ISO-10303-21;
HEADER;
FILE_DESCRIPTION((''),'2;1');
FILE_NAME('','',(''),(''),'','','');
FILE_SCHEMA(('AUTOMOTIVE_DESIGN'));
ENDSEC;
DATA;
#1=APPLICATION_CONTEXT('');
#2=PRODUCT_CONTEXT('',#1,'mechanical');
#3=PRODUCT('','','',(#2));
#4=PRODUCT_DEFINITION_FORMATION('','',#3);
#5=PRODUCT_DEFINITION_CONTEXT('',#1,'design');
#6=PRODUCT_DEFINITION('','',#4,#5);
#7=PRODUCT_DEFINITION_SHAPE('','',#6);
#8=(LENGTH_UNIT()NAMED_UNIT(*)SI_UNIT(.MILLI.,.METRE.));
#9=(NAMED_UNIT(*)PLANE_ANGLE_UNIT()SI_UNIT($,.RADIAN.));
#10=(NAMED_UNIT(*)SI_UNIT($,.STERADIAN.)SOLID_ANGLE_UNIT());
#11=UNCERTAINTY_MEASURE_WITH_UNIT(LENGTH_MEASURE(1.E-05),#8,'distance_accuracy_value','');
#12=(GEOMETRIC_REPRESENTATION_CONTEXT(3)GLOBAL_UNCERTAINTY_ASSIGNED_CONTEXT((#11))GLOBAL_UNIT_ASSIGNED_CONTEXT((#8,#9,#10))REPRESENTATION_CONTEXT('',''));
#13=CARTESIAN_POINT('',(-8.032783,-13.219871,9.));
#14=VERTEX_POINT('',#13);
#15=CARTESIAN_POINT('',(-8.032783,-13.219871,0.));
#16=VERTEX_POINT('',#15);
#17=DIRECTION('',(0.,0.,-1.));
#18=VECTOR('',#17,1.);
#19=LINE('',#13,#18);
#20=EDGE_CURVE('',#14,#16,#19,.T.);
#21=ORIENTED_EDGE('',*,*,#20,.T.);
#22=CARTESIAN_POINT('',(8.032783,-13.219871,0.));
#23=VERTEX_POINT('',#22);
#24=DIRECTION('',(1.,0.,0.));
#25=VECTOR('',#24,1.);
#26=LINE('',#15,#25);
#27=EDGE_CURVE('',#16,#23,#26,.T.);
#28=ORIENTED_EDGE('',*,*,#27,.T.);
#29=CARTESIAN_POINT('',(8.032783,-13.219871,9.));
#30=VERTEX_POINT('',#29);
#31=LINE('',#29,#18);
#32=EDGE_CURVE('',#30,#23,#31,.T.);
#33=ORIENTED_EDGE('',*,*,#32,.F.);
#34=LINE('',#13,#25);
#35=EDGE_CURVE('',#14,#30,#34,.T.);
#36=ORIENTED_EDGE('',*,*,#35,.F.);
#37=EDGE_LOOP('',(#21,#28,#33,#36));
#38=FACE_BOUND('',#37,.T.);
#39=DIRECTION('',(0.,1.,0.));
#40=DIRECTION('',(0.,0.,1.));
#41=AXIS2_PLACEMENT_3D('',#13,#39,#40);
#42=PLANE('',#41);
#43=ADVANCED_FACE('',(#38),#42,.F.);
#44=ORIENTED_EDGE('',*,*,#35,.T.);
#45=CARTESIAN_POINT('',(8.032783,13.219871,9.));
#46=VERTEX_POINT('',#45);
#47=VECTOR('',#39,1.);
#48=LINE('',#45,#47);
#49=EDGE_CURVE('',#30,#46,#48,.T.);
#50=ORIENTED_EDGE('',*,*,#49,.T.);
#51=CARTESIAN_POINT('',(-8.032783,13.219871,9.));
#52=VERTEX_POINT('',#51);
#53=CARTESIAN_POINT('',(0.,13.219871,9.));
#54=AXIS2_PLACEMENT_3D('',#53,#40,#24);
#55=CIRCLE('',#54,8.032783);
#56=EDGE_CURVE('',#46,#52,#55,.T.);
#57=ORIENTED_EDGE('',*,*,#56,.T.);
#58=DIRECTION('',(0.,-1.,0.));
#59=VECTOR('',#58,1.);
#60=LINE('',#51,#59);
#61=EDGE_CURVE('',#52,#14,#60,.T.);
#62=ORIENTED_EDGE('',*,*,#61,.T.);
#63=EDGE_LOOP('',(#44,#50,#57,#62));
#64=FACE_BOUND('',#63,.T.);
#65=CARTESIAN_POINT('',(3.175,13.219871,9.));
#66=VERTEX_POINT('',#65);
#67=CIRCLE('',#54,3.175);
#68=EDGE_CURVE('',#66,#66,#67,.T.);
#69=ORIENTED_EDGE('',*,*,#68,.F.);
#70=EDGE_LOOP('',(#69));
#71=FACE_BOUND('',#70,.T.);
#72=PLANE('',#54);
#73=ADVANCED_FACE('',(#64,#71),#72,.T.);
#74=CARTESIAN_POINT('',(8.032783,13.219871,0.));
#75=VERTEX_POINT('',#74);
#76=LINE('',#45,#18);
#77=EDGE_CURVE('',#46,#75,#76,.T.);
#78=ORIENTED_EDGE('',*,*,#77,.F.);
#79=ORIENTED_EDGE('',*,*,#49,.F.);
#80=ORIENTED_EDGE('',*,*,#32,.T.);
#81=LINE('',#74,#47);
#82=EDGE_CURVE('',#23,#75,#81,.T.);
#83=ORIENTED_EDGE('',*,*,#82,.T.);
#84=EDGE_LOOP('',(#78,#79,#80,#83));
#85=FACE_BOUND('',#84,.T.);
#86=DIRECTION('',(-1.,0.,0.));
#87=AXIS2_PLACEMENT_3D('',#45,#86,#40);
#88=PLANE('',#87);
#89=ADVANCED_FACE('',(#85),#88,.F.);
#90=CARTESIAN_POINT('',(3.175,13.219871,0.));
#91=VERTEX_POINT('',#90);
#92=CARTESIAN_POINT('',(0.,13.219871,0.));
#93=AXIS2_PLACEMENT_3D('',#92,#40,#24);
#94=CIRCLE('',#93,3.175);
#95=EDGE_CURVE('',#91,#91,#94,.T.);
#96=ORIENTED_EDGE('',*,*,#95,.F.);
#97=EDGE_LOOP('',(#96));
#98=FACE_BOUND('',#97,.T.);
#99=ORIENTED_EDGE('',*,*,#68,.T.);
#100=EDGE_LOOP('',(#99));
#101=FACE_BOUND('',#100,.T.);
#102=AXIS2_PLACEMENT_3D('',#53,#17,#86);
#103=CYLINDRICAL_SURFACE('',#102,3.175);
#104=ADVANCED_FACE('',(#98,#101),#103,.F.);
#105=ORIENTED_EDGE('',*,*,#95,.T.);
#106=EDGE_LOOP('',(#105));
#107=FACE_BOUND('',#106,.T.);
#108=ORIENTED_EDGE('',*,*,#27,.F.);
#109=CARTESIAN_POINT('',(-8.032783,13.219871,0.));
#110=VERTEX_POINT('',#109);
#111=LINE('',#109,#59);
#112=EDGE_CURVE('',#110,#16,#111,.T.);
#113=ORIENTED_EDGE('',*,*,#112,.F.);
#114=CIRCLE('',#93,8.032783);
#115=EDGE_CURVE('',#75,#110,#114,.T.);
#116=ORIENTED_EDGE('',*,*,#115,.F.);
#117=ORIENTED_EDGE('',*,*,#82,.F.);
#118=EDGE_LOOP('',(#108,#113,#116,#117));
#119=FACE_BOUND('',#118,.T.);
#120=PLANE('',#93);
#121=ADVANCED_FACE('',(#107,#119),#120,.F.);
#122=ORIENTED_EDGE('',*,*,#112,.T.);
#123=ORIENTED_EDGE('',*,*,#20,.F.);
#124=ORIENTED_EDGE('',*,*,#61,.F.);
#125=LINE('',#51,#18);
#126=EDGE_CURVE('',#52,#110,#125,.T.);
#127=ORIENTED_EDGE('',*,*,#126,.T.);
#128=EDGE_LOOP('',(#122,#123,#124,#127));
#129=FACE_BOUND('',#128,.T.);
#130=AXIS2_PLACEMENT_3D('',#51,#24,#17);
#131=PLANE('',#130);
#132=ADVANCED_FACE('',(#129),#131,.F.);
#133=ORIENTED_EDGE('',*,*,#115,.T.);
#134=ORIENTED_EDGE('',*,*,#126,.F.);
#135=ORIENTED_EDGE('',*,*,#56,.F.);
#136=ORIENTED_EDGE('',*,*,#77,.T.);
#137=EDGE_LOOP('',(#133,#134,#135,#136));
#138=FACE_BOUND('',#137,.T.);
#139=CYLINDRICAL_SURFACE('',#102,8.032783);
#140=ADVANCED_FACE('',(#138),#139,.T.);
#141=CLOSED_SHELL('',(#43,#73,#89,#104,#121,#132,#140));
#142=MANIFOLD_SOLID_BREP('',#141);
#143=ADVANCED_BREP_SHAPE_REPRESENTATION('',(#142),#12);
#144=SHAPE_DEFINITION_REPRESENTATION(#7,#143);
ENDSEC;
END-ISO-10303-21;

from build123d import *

# Parameters (mm, degrees)
SKETCH1_R           = 3.175
BOSS_EXTRUDE1_DEPTH = 9


with BuildPart() as part:
    # Sketch1 → Boss-Extrude1 (new body)
    with BuildSketch(Plane.XY):
        with BuildLine():
            Line((-8.032782944, 13.219871482), (-8.032782944, -13.219871482))
            Line((-8.032782944, -13.219871482), (8.032782944, -13.219871482))
            Line((8.032782944, -13.219871482), (8.032782944, 13.219871482))
            ThreePointArc((8.032782944, 13.219871482), (5.680035292, 18.899906774), (0, 21.252654427))
            ThreePointArc((0, 21.252654427), (-5.680035292, 18.899906774), (-8.032782944, 13.219871482))
        make_face()
        with Locations((0, 13.219871482)):
            Circle(SKETCH1_R, mode=Mode.SUBTRACT)
    extrude(amount=BOSS_EXTRUDE1_DEPTH)


solid = part.part
